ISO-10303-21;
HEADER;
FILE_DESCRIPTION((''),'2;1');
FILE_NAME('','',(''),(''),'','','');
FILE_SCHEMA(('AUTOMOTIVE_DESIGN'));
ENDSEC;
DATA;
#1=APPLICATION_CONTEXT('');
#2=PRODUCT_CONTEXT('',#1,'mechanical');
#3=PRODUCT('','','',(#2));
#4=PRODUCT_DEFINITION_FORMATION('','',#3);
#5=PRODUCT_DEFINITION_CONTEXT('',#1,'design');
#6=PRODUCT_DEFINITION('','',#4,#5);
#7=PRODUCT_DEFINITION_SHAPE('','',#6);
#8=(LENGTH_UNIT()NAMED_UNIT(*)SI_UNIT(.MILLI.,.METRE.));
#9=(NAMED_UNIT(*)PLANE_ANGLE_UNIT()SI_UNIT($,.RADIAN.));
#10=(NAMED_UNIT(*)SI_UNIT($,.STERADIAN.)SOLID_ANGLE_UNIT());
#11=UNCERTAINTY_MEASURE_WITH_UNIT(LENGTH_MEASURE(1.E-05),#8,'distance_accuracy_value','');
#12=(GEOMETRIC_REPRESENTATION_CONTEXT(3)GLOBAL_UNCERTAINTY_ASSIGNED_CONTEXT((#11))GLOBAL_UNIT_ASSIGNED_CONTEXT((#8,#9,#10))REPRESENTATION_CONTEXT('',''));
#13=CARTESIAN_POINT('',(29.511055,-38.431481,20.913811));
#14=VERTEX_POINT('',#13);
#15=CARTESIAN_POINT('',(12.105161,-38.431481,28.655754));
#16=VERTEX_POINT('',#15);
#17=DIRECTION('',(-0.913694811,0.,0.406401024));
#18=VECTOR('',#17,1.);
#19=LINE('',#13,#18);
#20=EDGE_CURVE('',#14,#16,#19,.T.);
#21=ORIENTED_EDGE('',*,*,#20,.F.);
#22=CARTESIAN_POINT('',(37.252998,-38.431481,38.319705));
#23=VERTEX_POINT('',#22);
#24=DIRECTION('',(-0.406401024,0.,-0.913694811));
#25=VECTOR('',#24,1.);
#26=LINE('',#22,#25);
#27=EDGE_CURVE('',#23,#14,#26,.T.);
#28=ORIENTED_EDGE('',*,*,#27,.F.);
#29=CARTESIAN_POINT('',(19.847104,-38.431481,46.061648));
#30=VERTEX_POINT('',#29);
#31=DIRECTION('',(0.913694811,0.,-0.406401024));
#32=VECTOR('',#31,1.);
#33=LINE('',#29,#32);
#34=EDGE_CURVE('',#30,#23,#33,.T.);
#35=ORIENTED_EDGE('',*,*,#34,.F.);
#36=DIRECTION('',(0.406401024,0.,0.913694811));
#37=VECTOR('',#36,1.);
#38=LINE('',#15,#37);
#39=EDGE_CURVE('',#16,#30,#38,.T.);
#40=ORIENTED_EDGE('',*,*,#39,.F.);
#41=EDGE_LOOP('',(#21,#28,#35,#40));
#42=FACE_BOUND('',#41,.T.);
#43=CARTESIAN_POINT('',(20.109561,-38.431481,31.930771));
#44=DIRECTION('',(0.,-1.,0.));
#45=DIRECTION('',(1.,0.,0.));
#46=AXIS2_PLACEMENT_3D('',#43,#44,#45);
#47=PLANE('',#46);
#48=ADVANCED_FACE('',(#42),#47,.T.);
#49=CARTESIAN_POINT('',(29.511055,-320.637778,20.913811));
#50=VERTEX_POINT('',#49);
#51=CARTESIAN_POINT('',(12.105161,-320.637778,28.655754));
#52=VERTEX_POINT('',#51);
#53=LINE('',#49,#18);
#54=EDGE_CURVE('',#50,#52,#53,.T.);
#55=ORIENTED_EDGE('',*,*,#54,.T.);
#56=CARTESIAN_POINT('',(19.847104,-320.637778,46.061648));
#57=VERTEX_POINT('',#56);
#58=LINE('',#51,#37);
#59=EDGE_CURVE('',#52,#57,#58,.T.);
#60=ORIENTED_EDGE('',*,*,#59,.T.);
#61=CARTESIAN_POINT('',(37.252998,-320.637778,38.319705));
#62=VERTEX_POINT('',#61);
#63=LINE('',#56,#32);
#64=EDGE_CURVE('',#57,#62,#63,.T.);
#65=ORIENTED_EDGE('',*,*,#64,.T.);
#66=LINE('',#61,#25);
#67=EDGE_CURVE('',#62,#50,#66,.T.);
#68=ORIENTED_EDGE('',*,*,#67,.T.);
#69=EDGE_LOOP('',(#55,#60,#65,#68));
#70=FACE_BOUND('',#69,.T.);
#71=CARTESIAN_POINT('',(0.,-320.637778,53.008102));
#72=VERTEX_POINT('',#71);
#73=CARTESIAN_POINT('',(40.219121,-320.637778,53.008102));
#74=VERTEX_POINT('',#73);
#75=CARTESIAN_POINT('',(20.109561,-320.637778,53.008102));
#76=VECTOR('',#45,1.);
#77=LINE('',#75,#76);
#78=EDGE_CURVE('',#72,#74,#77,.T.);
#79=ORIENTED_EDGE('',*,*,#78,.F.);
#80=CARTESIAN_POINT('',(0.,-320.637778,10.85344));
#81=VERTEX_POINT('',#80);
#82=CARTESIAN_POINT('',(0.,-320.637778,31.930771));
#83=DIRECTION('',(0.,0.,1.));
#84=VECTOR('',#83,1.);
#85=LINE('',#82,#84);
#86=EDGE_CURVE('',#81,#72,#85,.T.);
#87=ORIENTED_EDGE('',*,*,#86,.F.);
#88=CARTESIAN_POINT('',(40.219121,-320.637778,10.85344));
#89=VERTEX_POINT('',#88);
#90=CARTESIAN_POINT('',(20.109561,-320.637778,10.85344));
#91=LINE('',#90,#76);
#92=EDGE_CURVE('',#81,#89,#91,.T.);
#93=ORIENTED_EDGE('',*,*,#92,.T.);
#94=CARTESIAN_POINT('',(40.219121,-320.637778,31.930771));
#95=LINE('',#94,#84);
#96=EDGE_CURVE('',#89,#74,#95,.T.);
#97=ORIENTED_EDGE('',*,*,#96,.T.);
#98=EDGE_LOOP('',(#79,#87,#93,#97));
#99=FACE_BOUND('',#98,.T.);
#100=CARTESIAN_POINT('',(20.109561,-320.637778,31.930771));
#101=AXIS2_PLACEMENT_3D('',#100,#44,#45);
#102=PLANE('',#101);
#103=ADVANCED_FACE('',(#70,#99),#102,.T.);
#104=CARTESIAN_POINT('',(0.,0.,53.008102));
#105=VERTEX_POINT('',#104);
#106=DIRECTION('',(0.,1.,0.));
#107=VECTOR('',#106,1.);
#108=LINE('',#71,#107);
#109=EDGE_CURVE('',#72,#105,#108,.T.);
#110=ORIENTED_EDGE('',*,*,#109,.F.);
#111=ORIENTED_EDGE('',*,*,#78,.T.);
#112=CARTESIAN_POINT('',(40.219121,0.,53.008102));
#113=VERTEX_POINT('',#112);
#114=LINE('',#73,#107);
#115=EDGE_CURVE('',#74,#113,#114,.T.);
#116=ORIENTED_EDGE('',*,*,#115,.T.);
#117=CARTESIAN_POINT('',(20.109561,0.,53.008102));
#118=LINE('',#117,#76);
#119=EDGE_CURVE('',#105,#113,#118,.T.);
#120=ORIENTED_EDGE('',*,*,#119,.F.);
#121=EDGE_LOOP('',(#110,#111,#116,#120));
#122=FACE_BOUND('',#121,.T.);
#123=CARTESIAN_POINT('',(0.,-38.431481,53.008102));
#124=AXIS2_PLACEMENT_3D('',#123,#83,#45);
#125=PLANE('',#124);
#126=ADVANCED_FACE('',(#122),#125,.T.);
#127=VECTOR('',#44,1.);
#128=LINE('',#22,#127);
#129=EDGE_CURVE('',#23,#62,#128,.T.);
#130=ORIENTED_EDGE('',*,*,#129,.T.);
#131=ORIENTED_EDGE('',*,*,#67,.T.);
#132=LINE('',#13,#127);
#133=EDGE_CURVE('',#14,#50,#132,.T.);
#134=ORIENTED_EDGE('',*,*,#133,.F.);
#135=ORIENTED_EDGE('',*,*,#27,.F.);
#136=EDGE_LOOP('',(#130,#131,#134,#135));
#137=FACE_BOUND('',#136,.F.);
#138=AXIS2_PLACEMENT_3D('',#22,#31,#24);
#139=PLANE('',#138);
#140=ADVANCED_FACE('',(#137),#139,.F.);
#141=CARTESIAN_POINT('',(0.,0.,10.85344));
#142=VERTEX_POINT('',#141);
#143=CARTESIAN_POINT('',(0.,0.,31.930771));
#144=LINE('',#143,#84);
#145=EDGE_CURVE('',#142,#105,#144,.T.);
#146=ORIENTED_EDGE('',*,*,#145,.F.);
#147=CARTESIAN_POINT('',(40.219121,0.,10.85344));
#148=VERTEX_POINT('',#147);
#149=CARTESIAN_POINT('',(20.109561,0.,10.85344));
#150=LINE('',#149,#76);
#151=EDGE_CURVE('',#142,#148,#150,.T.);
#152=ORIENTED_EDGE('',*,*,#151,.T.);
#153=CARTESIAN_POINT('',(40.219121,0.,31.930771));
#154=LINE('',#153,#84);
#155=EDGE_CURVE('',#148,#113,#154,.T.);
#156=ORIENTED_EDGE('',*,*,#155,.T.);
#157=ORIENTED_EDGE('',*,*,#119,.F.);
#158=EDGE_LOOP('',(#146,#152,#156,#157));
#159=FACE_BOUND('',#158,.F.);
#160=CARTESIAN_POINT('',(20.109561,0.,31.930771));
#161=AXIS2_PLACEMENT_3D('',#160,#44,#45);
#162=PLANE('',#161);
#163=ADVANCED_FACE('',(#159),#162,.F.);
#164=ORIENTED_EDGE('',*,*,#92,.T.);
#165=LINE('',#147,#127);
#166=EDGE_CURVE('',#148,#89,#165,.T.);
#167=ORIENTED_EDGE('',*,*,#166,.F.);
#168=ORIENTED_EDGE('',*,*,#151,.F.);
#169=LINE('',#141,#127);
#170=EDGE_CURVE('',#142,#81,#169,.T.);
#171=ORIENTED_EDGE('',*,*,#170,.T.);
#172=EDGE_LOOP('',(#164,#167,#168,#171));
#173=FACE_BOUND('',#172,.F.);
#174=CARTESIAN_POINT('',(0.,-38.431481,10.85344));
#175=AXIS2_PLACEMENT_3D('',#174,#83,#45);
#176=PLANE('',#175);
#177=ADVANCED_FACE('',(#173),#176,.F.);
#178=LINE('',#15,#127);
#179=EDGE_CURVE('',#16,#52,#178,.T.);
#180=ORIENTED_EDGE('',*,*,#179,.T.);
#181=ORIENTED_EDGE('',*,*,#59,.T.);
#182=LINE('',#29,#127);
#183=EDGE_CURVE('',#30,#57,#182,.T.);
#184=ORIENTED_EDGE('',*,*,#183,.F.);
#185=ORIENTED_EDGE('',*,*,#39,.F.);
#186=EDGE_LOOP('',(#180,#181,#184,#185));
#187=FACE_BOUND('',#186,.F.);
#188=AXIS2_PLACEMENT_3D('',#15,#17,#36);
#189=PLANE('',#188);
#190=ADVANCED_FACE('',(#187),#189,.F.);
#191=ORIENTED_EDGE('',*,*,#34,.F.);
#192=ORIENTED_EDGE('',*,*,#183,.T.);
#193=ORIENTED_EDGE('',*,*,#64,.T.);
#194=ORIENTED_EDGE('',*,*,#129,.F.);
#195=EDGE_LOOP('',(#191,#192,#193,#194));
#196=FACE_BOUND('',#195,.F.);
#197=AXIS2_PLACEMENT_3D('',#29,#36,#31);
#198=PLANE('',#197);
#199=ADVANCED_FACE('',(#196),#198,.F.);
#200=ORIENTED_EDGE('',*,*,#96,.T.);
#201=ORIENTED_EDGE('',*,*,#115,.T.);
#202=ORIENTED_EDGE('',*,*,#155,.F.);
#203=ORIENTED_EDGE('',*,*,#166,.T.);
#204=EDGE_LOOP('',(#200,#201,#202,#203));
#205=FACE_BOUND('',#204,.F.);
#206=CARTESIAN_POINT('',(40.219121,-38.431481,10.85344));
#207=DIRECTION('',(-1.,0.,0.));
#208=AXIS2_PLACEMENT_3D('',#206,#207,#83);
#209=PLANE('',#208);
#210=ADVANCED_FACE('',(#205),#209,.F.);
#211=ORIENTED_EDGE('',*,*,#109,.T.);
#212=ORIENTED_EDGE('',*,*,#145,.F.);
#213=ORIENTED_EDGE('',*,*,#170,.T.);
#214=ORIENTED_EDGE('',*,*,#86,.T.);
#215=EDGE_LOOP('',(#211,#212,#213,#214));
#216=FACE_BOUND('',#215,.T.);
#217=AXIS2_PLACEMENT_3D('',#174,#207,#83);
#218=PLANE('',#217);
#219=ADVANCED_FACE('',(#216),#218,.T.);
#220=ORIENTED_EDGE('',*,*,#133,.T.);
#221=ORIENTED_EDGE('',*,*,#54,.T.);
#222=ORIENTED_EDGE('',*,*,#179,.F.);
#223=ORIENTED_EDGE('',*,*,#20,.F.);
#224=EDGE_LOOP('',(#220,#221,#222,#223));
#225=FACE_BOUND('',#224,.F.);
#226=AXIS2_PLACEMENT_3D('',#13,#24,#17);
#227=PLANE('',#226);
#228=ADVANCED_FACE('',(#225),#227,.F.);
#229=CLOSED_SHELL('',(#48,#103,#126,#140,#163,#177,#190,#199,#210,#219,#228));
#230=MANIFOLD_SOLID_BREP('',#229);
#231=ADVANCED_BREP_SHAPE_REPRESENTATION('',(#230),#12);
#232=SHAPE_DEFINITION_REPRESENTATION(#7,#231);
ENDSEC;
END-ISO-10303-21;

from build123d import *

# Parameters (mm, degrees)
F0_W     = 40.219121
F0_H     = 42.154662
F1_DEPTH = 38.431481
F3_W     = 40.219121
F3_H     = 42.154662
F4_DEPTH = 282.206297


with BuildPart() as f1:
    # F0 (on Front) → F1 (new body)
    with BuildSketch(Plane.XZ):
        with Locations((20.109561, 31.930771)):
            Rectangle(F0_W, F0_H)
    extrude(amount=F1_DEPTH)

    # F3 (on face) → F4 (join)
    with BuildSketch(Plane.XZ.offset(38.431481)):
        with Locations((20.109561, 31.930771)):
            Rectangle(F3_W, F3_H)
        Polygon((37.252998, 38.319705), (29.511055, 20.913811), (12.105161, 28.655754), (19.847104, 46.061648), align=None, mode=Mode.SUBTRACT)
    extrude(amount=F4_DEPTH)


solid = f1.part
